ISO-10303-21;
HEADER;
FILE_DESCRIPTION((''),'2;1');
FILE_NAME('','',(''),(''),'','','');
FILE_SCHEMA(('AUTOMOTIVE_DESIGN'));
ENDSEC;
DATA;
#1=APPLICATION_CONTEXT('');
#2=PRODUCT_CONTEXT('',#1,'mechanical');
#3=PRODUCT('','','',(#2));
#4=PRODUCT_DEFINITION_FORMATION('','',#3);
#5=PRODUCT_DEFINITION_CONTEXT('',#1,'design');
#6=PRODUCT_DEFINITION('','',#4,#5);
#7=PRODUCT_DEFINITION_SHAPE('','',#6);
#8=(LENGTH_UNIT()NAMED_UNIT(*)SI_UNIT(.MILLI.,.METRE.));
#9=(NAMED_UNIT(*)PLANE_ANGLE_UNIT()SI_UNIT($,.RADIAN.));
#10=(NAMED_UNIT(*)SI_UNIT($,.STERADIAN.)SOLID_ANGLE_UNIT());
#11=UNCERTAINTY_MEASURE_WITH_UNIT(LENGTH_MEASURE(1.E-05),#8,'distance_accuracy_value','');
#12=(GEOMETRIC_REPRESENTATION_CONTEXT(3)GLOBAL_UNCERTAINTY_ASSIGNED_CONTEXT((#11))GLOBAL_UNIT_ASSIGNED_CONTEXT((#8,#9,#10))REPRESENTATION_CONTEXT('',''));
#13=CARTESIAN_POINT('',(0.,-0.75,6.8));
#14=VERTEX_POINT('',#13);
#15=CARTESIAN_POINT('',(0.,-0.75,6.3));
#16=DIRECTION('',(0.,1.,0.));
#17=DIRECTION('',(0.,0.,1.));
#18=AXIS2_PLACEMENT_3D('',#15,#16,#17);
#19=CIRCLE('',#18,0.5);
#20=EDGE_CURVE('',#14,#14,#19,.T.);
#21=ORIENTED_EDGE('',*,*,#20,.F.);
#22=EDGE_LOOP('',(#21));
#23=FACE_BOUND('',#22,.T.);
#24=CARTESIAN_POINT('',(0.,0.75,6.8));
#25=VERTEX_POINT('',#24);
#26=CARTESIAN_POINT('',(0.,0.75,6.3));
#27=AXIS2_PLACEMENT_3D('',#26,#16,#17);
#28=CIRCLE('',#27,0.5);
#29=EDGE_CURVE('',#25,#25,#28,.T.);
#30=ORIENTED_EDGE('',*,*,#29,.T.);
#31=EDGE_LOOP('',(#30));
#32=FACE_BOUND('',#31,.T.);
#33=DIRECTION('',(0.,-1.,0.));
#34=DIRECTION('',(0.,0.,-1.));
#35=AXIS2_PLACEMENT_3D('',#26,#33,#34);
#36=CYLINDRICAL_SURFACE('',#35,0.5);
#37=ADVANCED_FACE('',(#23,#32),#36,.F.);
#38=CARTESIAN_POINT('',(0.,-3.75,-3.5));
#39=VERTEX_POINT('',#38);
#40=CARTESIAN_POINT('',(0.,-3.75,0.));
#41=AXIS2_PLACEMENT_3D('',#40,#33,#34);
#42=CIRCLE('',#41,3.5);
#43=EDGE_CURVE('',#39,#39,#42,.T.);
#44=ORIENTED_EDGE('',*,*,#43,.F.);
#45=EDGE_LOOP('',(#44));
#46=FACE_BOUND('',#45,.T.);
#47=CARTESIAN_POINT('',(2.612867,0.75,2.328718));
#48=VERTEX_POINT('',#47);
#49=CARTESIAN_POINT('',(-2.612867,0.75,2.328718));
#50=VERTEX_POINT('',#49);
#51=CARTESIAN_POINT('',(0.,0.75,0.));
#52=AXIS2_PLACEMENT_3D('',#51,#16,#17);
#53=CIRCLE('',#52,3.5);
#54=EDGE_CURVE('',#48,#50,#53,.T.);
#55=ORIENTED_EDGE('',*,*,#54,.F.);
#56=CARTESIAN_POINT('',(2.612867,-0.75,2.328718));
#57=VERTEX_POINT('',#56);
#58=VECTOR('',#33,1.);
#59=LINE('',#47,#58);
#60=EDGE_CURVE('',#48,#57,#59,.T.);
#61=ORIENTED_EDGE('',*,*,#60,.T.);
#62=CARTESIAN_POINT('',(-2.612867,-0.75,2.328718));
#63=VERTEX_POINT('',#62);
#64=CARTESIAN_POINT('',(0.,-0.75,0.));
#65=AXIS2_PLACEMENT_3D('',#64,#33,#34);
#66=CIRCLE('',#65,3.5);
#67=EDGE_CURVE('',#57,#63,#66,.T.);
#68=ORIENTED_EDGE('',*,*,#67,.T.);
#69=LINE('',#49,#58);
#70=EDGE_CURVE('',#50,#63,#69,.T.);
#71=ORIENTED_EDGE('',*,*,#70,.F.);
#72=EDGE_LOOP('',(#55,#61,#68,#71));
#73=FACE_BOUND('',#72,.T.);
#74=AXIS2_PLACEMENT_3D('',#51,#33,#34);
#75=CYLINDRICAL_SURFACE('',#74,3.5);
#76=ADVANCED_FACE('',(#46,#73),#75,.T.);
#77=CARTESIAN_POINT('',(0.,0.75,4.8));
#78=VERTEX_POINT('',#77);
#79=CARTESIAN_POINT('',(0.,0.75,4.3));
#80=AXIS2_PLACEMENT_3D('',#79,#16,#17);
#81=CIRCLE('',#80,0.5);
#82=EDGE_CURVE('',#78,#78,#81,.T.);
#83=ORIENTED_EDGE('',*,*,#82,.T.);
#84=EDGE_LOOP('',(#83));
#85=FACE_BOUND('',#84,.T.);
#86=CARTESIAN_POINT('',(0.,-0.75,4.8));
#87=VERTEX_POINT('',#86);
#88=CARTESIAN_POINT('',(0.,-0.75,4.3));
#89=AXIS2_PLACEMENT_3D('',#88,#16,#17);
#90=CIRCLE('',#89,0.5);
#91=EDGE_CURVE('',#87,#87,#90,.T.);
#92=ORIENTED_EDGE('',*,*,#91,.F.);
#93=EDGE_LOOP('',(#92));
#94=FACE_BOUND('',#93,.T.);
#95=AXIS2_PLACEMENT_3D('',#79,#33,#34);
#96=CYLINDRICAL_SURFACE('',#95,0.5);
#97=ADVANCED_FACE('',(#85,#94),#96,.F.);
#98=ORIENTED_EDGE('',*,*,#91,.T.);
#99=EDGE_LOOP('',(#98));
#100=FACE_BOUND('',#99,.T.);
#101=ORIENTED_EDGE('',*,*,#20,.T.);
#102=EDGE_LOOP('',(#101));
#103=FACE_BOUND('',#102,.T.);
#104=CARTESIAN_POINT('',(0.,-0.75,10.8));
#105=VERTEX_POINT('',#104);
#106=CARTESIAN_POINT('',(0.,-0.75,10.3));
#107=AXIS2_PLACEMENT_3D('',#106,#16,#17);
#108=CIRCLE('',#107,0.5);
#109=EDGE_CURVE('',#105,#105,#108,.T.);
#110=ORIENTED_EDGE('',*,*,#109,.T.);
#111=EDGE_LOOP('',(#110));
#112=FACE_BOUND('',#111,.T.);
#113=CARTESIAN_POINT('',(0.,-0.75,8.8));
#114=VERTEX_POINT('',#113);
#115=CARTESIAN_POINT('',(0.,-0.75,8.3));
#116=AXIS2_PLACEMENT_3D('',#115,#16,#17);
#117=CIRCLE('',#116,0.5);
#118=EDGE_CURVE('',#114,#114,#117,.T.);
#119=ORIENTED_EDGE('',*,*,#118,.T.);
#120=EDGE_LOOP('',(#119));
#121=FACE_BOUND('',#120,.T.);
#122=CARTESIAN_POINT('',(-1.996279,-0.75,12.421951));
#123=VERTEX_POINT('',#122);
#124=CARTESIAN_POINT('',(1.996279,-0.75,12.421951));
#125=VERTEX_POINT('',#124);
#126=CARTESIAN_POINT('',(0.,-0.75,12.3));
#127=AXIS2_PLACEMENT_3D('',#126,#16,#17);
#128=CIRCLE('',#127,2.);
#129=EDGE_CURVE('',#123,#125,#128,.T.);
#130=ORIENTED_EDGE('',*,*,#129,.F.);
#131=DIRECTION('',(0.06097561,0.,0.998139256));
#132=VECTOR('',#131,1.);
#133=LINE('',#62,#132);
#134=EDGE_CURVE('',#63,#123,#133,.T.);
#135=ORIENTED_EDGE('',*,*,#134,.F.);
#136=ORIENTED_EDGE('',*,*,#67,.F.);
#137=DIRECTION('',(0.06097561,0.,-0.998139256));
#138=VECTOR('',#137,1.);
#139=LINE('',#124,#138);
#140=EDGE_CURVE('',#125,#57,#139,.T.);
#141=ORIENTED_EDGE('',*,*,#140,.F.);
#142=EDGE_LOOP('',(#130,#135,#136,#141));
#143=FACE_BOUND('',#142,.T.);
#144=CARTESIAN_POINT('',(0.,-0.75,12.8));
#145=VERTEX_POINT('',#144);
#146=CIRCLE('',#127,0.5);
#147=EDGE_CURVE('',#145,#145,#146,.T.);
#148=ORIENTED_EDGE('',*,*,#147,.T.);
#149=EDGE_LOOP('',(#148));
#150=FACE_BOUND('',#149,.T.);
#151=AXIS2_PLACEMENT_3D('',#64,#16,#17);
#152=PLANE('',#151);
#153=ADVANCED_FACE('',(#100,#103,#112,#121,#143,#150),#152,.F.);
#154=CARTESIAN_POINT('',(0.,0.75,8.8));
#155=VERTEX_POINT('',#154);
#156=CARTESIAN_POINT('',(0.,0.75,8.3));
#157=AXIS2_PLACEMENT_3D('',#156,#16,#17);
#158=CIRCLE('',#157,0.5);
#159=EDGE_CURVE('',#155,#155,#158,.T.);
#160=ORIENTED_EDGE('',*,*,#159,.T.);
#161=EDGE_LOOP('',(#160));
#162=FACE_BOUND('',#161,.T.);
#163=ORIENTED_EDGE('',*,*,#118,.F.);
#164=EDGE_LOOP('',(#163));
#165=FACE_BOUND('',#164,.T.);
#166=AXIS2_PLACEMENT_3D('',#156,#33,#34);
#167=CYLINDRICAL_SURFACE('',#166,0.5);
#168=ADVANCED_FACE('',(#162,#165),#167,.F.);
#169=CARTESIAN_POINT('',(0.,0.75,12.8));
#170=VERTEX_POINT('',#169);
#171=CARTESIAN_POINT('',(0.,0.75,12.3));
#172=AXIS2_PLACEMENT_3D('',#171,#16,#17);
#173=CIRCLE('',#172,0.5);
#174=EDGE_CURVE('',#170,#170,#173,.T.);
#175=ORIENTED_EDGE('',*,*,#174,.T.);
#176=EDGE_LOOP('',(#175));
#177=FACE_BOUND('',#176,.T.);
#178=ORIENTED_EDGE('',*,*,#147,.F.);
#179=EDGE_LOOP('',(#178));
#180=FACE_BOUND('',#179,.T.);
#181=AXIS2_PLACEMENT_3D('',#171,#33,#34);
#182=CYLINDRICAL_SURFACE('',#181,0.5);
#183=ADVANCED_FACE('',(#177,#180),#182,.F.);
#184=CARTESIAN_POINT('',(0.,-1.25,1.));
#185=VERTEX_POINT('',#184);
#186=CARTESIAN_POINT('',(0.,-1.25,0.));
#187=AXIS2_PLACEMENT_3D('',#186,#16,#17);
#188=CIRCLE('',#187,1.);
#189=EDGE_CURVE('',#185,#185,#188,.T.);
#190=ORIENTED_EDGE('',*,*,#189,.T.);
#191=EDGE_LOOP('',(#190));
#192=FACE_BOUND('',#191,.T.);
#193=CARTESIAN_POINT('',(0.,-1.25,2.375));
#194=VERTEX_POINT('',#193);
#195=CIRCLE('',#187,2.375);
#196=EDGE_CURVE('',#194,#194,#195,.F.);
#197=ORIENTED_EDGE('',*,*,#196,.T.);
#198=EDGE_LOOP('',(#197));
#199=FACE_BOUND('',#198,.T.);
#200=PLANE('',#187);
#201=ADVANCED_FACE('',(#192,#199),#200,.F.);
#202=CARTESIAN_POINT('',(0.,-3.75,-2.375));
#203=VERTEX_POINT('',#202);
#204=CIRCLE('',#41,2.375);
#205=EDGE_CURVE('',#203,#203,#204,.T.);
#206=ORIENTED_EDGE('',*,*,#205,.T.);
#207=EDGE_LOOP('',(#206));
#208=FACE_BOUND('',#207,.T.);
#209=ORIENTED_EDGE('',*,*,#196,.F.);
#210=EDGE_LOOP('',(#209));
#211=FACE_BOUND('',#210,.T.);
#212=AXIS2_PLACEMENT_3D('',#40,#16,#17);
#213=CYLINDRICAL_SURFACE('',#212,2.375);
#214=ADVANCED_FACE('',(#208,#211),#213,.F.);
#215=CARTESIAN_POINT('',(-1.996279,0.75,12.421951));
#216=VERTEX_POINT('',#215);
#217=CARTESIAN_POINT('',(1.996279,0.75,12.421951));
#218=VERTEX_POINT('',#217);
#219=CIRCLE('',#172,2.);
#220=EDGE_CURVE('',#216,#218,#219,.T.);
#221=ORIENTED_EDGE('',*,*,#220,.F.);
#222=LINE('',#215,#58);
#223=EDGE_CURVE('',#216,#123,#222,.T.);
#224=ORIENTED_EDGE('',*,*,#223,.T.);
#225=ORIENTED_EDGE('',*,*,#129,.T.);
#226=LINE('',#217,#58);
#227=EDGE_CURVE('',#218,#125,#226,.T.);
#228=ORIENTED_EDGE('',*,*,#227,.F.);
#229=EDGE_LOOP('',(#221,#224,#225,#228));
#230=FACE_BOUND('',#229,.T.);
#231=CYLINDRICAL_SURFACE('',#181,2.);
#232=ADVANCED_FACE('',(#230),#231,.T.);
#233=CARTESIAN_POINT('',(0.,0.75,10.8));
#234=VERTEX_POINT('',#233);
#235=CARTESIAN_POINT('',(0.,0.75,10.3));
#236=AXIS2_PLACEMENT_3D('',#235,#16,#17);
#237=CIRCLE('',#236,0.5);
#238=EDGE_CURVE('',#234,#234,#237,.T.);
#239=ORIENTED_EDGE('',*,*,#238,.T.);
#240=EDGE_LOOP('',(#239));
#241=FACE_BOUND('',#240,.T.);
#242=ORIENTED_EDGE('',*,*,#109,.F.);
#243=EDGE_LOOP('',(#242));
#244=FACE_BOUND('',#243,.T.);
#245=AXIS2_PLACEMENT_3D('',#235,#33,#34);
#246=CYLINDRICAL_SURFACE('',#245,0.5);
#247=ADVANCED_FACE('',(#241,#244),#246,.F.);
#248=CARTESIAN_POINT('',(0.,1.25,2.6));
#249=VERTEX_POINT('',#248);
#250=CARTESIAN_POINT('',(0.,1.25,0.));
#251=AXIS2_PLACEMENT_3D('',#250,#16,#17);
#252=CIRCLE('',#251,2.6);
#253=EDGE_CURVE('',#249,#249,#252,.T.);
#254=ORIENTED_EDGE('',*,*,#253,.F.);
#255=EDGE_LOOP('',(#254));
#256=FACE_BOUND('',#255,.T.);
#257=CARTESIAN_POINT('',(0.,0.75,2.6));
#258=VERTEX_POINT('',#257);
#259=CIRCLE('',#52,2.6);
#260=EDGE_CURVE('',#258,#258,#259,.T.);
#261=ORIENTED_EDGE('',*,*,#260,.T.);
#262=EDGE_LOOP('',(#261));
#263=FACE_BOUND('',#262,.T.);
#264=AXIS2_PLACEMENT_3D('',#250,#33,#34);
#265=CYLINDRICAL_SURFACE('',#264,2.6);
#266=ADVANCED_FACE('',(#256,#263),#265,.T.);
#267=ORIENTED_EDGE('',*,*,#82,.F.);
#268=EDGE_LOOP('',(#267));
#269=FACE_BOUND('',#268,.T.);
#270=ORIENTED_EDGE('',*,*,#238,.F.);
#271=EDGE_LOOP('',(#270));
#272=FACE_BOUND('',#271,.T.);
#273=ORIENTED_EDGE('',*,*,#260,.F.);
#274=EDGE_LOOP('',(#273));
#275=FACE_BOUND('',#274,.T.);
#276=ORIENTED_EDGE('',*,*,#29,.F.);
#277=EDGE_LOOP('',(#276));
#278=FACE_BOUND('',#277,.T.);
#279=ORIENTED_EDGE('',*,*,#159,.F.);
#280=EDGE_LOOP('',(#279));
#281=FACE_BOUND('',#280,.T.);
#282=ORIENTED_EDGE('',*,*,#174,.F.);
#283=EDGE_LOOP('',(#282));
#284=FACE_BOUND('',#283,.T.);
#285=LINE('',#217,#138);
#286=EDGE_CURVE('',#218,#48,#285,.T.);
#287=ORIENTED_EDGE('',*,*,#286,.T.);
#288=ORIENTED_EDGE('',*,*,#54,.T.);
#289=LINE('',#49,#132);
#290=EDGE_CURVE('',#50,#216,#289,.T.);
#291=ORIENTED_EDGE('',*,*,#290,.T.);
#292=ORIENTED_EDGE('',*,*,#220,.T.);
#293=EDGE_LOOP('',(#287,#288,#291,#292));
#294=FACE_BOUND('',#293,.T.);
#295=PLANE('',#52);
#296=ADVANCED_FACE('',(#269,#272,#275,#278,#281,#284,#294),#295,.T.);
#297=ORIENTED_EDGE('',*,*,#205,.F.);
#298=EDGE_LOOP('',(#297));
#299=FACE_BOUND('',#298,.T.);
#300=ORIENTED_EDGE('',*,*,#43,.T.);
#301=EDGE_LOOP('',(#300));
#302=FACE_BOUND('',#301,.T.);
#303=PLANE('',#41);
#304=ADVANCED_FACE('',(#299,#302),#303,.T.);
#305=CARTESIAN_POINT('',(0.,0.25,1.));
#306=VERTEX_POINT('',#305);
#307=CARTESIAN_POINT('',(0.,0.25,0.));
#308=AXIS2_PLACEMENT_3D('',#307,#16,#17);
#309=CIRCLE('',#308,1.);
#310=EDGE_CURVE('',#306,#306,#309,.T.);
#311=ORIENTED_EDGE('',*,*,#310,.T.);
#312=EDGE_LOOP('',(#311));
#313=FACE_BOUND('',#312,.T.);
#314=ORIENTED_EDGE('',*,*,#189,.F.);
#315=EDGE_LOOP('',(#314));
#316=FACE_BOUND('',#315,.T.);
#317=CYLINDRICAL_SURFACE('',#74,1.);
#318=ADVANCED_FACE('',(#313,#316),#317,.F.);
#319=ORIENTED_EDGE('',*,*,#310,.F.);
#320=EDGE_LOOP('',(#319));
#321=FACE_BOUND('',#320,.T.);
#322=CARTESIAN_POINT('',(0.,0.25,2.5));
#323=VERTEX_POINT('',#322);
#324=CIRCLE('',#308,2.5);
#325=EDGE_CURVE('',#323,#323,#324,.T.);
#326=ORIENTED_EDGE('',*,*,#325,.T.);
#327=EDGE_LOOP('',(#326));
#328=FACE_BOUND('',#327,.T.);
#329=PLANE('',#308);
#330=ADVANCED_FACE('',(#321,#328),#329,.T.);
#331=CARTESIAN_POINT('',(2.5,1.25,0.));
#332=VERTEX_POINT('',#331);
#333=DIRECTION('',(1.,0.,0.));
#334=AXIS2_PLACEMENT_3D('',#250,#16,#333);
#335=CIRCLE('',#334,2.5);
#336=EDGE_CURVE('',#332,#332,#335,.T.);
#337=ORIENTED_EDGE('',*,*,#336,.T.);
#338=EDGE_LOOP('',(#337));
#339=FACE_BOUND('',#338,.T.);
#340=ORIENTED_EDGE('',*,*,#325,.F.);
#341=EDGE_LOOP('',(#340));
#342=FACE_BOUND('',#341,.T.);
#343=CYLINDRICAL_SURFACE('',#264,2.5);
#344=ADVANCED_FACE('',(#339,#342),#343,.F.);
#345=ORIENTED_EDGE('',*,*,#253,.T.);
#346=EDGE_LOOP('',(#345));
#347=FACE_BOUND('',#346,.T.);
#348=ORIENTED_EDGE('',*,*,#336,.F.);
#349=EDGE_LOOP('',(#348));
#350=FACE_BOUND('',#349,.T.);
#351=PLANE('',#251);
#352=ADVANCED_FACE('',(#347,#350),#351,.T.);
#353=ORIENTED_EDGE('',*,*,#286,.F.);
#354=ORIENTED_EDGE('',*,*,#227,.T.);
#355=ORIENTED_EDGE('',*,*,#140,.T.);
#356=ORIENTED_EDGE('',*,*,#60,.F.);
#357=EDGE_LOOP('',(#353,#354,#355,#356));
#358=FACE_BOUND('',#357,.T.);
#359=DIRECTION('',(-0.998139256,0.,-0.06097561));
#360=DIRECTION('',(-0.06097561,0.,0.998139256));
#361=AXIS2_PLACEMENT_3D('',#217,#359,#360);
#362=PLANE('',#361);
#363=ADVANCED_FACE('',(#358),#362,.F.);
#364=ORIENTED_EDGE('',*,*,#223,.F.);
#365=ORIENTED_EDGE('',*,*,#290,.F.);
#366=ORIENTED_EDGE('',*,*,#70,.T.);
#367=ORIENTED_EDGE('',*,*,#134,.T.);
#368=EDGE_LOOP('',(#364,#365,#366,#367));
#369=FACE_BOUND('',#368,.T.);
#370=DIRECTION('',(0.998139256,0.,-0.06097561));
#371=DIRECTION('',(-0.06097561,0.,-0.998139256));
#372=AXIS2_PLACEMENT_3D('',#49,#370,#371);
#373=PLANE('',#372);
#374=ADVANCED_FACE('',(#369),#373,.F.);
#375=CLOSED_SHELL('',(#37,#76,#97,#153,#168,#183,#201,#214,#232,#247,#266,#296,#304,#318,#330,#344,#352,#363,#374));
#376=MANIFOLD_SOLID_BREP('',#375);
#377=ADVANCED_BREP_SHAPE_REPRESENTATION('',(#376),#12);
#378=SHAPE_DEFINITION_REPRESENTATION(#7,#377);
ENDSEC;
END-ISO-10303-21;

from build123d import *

# Parameters (mm, degrees)
SKETCH1_R           = 0.5
SKETCH1_R_2         = 1
BOSS_EXTRUDE1_DEPTH = 0.75
SKETCH2_R           = 3.5
SKETCH2_R_2         = 2.375
BOSS_EXTRUDE2_DEPTH = 3
SKETCH4_R           = 2.6
SKETCH4_R_2         = 2.5
EXTRUDE_THIN1_DEPTH = 0.5
CUT_EXTRUDE1_START  = -0.5
SKETCH5_R           = 2.5
CUT_EXTRUDE1_DEPTH  = 0.5
MOVE_FACE1_BY       = 0.5


with BuildPart() as part:
    # Sketch1 → Boss-Extrude1 (new, symmetric)
    with BuildSketch(Plane(origin=(0, 0, 0), x_dir=(1, 0, 0), z_dir=(0, 1, 0))):
        with BuildLine():
            Line((-2.612867, -2.328718), (-1.996279, -12.421951))
            ThreePointArc((-1.996279, -12.421951), (0, -14.3), (1.996279, -12.421951))
            Line((1.996279, -12.421951), (2.612867, -2.328718))
            ThreePointArc((2.612867, -2.328718), (0, 3.5), (-2.612867, -2.328718))
        make_face()
        with Locations(Location((0, -12.3, 0), (0, 0, 270))):
            Circle(SKETCH1_R, mode=Mode.SUBTRACT)
        with Locations(Location((0, -10.3, 0), (0, 0, 270))):
            Circle(SKETCH1_R, mode=Mode.SUBTRACT)
        with Locations(Location((0, -8.3, 0), (0, 0, 270))):
            Circle(SKETCH1_R, mode=Mode.SUBTRACT)
        with Locations(Location((0, -6.3, 0), (0, 0, 270))):
            Circle(SKETCH1_R, mode=Mode.SUBTRACT)
        with Locations(Location((0, -4.3, 0), (0, 0, 270))):
            Circle(SKETCH1_R, mode=Mode.SUBTRACT)
        with Locations(Location((0, 0, 0), (0, 0, 270))):
            Circle(SKETCH1_R_2, mode=Mode.SUBTRACT)
    extrude(amount=BOSS_EXTRUDE1_DEPTH, both=True)

    # Sketch2 → Boss-Extrude2 (add)
    with BuildSketch(Plane.XZ.offset(0.75)):
        with Locations(Location((0, 0, 0), (0, 0, 270))):
            Circle(SKETCH2_R)
        with Locations(Location((0, 0, 0), (0, 0, 270))):
            Circle(SKETCH2_R_2, mode=Mode.SUBTRACT)
    extrude(amount=BOSS_EXTRUDE2_DEPTH)

    # Sketch4 → Extrude-Thin1 (add)
    with BuildSketch(Plane(origin=(0, 0.75, 0), x_dir=(1, 0, 0), z_dir=(0, 1, 0))):
        Circle(SKETCH4_R)
        Circle(SKETCH4_R_2, mode=Mode.SUBTRACT)
    extrude(amount=EXTRUDE_THIN1_DEPTH)

    # Sketch5 → Cut-Extrude1 (cut)
    with BuildSketch(Plane(origin=(0, 0.75, 0), x_dir=(1, 0, 0), z_dir=(0, 1, 0)).offset(CUT_EXTRUDE1_START)):
        Circle(SKETCH5_R)
    extrude(amount=CUT_EXTRUDE1_DEPTH, mode=Mode.SUBTRACT)

    # Move Face1: a face moved outward by 0.5
    extrude(part.faces().sort_by_distance((0, -0.75, 1.1875))[0], amount=MOVE_FACE1_BY, dir=(0, -1, 0))


solid = part.part
